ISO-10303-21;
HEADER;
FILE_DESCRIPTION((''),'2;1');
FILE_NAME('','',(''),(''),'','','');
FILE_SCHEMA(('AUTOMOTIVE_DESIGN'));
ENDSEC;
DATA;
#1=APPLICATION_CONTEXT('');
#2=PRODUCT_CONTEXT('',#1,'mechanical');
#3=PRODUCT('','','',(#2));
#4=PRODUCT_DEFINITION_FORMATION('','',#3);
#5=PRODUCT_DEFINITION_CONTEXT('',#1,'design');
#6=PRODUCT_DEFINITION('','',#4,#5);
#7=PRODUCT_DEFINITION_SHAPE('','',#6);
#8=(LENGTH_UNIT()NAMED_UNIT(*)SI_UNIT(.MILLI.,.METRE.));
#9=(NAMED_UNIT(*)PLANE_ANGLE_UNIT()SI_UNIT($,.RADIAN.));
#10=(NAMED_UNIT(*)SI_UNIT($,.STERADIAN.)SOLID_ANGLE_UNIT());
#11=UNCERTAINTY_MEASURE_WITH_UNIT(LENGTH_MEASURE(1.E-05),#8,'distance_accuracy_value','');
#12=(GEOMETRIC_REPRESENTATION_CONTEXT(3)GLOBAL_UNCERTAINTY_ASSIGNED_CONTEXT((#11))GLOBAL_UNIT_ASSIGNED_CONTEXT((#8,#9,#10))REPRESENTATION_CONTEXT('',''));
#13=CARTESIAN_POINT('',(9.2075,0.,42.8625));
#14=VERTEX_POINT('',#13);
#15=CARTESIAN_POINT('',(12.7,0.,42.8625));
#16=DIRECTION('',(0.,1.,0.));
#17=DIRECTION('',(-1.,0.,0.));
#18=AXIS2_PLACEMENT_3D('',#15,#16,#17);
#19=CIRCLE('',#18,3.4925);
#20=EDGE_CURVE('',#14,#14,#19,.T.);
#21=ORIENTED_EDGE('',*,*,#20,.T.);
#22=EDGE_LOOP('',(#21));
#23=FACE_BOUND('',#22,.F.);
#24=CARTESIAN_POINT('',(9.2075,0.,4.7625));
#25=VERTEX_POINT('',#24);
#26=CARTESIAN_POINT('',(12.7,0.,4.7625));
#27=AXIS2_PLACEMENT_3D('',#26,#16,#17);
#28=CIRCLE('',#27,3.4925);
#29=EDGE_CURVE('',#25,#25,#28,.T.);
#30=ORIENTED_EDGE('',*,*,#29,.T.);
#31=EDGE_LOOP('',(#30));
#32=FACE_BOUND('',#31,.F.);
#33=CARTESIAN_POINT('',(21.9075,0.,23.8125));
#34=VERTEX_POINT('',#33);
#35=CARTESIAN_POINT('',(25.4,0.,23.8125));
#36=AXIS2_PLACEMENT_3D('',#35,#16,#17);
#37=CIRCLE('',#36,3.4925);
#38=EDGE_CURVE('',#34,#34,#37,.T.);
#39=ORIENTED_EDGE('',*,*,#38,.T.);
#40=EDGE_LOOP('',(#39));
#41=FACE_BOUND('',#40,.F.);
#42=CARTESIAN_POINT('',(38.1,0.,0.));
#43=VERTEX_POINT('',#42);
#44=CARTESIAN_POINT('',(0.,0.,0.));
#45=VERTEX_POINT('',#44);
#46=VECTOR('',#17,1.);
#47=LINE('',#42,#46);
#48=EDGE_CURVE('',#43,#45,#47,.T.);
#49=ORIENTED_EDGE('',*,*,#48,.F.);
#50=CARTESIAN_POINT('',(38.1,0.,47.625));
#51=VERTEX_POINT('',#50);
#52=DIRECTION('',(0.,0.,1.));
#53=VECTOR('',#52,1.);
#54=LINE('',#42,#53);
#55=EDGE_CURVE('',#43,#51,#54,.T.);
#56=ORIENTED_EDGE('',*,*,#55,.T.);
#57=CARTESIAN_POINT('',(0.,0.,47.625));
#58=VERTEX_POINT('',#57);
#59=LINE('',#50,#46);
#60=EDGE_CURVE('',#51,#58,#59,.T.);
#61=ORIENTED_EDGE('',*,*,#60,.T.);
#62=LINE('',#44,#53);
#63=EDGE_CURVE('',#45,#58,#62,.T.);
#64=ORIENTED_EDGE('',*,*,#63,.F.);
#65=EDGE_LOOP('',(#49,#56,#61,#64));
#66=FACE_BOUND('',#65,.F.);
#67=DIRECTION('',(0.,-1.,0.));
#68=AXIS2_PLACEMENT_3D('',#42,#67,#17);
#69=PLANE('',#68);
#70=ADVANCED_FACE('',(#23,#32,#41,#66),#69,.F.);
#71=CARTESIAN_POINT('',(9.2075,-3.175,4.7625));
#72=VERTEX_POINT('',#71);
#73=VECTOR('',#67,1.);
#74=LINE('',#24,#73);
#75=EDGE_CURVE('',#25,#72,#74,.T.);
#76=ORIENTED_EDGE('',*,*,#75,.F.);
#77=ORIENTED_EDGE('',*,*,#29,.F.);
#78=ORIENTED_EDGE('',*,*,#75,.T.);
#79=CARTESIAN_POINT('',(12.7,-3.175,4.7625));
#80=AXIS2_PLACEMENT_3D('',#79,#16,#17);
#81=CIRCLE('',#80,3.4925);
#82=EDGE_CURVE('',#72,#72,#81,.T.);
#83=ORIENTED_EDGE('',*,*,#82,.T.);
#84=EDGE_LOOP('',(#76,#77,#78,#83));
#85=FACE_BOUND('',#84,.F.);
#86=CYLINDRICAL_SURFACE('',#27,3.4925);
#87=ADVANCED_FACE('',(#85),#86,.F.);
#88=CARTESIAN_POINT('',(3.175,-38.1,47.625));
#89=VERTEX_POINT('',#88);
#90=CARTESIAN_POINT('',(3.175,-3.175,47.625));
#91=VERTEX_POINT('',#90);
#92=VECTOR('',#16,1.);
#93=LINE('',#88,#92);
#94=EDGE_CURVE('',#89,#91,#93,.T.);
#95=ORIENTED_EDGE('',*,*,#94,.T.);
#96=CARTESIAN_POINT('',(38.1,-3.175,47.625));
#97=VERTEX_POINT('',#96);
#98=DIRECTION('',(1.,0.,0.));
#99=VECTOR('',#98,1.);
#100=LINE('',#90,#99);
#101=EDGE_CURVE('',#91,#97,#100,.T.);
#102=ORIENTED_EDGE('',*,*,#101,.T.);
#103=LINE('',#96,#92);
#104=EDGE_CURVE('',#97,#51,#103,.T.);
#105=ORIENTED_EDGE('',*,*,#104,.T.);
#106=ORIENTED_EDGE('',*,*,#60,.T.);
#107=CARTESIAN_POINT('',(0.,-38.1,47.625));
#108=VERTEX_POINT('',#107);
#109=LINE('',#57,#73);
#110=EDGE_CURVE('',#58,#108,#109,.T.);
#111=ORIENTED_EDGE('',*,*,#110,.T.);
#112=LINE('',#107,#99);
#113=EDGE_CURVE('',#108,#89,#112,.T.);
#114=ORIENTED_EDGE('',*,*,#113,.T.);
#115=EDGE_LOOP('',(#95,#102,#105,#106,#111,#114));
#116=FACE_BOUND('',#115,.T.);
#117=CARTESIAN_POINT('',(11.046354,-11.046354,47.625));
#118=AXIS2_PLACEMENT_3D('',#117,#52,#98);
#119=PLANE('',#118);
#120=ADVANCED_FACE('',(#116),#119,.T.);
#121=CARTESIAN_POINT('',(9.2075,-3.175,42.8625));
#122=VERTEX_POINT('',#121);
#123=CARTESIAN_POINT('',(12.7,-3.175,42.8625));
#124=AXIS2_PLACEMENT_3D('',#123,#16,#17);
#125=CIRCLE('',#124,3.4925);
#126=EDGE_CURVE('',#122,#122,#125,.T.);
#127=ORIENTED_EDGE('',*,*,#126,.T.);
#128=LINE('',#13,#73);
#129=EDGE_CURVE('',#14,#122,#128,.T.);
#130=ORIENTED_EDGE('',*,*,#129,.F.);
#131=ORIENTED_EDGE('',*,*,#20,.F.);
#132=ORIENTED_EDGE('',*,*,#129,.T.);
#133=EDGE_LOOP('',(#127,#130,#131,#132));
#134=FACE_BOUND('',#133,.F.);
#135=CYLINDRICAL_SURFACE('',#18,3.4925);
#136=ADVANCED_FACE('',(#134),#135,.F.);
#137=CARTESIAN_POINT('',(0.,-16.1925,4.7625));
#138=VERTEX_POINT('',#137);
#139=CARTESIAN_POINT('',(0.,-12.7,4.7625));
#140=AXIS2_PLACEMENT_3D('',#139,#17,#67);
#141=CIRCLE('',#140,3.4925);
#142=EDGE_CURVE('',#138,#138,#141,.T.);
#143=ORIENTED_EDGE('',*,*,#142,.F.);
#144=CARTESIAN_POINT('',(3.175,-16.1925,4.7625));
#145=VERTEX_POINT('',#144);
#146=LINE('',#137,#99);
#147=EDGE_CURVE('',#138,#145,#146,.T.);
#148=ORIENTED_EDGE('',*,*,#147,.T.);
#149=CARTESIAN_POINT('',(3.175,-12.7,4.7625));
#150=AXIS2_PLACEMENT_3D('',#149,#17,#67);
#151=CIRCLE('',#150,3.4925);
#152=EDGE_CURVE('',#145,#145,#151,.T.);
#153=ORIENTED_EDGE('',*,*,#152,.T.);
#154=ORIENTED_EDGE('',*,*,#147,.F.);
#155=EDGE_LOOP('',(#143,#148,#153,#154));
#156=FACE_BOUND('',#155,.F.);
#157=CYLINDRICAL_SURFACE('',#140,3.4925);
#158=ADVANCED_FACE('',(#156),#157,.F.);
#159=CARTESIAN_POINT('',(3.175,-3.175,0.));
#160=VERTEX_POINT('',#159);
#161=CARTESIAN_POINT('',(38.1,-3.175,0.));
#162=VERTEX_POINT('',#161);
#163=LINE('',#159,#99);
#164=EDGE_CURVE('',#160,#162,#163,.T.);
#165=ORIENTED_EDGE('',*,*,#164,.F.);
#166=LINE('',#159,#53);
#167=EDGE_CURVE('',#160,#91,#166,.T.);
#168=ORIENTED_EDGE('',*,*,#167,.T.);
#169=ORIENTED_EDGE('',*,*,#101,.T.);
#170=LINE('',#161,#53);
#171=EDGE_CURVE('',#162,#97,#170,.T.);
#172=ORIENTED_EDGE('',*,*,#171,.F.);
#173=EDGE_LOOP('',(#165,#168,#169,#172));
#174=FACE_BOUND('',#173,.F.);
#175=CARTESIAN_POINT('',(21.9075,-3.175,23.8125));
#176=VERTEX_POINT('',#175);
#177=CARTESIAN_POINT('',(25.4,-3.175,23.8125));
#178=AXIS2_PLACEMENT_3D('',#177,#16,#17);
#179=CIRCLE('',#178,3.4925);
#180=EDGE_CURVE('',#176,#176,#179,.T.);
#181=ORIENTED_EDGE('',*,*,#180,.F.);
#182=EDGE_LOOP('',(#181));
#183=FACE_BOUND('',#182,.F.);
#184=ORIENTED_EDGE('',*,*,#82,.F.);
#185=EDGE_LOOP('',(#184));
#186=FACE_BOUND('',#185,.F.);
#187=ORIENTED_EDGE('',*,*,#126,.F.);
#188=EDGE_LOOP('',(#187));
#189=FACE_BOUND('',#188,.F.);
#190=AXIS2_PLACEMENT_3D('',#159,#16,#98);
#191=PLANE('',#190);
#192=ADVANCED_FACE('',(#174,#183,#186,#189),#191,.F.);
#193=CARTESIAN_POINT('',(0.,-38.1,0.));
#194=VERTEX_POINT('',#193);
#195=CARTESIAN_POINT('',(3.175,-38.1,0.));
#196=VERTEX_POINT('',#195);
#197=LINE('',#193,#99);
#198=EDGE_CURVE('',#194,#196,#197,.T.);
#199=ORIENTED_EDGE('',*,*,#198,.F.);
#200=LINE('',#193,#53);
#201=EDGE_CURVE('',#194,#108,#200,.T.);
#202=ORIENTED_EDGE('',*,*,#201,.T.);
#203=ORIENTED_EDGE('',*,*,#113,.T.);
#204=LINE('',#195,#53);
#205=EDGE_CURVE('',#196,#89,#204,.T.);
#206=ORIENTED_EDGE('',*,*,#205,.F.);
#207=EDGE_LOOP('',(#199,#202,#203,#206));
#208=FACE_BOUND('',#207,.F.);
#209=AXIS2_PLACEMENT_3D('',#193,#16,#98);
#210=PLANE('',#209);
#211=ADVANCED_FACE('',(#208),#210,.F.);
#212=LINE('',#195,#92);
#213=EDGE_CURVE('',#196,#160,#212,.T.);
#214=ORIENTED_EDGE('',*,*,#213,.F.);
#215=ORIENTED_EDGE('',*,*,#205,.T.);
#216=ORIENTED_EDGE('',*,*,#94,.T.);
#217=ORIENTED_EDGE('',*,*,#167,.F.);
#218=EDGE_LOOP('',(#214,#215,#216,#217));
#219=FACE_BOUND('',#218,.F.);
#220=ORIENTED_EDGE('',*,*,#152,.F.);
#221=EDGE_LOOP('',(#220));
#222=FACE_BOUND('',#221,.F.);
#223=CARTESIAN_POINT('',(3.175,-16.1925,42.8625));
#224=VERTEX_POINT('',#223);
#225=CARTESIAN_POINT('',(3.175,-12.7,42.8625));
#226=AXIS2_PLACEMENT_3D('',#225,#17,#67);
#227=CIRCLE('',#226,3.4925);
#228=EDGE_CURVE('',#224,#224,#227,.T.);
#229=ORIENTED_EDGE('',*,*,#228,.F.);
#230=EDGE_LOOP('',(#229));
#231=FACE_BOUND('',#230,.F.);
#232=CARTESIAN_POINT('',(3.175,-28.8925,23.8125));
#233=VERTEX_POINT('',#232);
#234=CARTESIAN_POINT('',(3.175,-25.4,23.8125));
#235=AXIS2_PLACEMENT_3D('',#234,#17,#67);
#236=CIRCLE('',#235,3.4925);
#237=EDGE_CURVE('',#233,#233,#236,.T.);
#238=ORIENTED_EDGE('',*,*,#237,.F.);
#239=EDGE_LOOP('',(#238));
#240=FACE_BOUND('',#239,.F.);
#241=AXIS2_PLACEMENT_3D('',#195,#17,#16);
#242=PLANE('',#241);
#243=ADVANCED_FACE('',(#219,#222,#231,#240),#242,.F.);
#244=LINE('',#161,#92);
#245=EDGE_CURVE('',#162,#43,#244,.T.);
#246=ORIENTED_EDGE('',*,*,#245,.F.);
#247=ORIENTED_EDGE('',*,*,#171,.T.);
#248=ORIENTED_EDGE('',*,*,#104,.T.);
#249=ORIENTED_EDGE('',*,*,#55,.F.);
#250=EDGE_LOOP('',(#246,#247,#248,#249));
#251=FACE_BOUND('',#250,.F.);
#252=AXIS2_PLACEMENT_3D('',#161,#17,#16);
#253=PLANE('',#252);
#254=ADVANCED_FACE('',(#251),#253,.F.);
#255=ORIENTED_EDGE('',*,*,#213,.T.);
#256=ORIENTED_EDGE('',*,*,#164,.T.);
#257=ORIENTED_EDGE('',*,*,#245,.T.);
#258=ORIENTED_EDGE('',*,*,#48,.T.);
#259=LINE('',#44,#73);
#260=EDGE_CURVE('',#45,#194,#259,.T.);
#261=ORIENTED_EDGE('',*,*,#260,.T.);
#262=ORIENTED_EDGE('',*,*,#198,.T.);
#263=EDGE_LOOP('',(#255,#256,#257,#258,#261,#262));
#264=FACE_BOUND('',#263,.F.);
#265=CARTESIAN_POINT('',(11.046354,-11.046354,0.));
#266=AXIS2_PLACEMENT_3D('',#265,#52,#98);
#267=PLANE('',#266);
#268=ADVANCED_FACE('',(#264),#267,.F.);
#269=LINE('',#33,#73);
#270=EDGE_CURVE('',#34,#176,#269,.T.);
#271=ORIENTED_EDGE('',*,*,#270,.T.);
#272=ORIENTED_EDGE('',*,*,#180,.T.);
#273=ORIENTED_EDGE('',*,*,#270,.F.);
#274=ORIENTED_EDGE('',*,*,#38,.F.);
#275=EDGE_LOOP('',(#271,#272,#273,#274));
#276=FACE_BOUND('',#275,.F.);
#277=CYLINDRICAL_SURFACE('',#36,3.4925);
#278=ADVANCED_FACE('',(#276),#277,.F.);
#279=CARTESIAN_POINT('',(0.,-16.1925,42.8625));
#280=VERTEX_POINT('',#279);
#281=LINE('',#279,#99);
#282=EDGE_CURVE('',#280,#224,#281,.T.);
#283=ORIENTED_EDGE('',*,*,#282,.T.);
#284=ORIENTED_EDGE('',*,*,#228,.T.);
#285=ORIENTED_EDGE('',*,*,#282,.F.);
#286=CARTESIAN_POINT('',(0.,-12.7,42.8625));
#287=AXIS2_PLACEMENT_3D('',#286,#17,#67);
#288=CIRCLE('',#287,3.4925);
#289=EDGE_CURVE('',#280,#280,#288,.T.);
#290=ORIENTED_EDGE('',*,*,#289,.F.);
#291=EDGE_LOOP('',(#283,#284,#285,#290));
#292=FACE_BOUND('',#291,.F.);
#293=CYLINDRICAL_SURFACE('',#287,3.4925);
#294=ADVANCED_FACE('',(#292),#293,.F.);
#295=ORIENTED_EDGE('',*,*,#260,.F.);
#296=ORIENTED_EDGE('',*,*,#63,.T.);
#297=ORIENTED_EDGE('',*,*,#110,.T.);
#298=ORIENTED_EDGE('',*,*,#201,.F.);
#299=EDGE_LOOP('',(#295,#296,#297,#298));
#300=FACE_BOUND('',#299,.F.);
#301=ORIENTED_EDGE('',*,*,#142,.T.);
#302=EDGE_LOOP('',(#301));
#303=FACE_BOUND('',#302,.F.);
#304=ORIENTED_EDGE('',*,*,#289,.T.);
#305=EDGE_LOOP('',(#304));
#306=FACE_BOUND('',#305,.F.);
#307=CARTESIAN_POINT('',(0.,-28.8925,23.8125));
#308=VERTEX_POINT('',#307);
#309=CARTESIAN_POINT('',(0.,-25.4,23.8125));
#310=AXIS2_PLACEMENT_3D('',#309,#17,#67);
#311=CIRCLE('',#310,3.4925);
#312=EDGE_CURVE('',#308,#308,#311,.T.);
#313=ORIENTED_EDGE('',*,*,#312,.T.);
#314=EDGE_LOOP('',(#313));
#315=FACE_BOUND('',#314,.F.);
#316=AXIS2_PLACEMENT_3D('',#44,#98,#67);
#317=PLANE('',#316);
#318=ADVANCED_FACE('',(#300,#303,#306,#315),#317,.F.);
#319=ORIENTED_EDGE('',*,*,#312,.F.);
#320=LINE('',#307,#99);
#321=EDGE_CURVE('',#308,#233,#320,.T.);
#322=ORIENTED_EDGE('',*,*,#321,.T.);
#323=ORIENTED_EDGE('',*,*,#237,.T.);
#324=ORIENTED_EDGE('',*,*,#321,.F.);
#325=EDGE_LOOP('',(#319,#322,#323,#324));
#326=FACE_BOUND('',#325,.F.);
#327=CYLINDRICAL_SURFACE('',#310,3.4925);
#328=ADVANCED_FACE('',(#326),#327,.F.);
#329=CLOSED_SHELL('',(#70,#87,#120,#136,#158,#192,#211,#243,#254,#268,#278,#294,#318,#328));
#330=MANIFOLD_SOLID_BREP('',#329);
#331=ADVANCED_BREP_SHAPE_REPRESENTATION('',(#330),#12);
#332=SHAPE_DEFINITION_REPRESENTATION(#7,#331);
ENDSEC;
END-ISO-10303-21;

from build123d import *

# Parameters (mm, degrees)
F1_DEPTH = 47.625
F2_R     = 3.4925
F3_DEPTH = 25.4
F4_R     = 3.4925
F5_DEPTH = 25.4


with BuildPart() as f1:
    # F0 (on Top) → F1 (new body)
    with BuildSketch(Plane.XY):
        Polygon((38.1, 0), (0, 0), (0, -3.175), (0, -38.1), (3.175, -38.1), (3.175, -3.175), (38.1, -3.175), align=None)
    extrude(amount=F1_DEPTH)

    # F2 (on face) → F3 (cut)
    with BuildSketch(Plane(origin=(0, 0, 0), x_dir=(-1, 0, 0), z_dir=(0, 1, 0))):
        with Locations((-12.7, 42.8625)):
            Circle(F2_R)
        with Locations((-25.4, 23.8125)):
            Circle(F2_R)
        with Locations((-12.7, 4.7625)):
            Circle(F2_R)
    extrude(amount=-F3_DEPTH, mode=Mode.SUBTRACT)

    # F4 (on face) → F5 (cut)
    with BuildSketch(Plane(origin=(0, 0, 0), x_dir=(0, -1, 0), z_dir=(-1, 0, 0))):
        with Locations((12.7, 42.8625)):
            Circle(F4_R)
        with Locations((25.4, 23.8125)):
            Circle(F4_R)
        with Locations((12.7, 4.7625)):
            Circle(F4_R)
    extrude(amount=-F5_DEPTH, mode=Mode.SUBTRACT)


solid = f1.part
